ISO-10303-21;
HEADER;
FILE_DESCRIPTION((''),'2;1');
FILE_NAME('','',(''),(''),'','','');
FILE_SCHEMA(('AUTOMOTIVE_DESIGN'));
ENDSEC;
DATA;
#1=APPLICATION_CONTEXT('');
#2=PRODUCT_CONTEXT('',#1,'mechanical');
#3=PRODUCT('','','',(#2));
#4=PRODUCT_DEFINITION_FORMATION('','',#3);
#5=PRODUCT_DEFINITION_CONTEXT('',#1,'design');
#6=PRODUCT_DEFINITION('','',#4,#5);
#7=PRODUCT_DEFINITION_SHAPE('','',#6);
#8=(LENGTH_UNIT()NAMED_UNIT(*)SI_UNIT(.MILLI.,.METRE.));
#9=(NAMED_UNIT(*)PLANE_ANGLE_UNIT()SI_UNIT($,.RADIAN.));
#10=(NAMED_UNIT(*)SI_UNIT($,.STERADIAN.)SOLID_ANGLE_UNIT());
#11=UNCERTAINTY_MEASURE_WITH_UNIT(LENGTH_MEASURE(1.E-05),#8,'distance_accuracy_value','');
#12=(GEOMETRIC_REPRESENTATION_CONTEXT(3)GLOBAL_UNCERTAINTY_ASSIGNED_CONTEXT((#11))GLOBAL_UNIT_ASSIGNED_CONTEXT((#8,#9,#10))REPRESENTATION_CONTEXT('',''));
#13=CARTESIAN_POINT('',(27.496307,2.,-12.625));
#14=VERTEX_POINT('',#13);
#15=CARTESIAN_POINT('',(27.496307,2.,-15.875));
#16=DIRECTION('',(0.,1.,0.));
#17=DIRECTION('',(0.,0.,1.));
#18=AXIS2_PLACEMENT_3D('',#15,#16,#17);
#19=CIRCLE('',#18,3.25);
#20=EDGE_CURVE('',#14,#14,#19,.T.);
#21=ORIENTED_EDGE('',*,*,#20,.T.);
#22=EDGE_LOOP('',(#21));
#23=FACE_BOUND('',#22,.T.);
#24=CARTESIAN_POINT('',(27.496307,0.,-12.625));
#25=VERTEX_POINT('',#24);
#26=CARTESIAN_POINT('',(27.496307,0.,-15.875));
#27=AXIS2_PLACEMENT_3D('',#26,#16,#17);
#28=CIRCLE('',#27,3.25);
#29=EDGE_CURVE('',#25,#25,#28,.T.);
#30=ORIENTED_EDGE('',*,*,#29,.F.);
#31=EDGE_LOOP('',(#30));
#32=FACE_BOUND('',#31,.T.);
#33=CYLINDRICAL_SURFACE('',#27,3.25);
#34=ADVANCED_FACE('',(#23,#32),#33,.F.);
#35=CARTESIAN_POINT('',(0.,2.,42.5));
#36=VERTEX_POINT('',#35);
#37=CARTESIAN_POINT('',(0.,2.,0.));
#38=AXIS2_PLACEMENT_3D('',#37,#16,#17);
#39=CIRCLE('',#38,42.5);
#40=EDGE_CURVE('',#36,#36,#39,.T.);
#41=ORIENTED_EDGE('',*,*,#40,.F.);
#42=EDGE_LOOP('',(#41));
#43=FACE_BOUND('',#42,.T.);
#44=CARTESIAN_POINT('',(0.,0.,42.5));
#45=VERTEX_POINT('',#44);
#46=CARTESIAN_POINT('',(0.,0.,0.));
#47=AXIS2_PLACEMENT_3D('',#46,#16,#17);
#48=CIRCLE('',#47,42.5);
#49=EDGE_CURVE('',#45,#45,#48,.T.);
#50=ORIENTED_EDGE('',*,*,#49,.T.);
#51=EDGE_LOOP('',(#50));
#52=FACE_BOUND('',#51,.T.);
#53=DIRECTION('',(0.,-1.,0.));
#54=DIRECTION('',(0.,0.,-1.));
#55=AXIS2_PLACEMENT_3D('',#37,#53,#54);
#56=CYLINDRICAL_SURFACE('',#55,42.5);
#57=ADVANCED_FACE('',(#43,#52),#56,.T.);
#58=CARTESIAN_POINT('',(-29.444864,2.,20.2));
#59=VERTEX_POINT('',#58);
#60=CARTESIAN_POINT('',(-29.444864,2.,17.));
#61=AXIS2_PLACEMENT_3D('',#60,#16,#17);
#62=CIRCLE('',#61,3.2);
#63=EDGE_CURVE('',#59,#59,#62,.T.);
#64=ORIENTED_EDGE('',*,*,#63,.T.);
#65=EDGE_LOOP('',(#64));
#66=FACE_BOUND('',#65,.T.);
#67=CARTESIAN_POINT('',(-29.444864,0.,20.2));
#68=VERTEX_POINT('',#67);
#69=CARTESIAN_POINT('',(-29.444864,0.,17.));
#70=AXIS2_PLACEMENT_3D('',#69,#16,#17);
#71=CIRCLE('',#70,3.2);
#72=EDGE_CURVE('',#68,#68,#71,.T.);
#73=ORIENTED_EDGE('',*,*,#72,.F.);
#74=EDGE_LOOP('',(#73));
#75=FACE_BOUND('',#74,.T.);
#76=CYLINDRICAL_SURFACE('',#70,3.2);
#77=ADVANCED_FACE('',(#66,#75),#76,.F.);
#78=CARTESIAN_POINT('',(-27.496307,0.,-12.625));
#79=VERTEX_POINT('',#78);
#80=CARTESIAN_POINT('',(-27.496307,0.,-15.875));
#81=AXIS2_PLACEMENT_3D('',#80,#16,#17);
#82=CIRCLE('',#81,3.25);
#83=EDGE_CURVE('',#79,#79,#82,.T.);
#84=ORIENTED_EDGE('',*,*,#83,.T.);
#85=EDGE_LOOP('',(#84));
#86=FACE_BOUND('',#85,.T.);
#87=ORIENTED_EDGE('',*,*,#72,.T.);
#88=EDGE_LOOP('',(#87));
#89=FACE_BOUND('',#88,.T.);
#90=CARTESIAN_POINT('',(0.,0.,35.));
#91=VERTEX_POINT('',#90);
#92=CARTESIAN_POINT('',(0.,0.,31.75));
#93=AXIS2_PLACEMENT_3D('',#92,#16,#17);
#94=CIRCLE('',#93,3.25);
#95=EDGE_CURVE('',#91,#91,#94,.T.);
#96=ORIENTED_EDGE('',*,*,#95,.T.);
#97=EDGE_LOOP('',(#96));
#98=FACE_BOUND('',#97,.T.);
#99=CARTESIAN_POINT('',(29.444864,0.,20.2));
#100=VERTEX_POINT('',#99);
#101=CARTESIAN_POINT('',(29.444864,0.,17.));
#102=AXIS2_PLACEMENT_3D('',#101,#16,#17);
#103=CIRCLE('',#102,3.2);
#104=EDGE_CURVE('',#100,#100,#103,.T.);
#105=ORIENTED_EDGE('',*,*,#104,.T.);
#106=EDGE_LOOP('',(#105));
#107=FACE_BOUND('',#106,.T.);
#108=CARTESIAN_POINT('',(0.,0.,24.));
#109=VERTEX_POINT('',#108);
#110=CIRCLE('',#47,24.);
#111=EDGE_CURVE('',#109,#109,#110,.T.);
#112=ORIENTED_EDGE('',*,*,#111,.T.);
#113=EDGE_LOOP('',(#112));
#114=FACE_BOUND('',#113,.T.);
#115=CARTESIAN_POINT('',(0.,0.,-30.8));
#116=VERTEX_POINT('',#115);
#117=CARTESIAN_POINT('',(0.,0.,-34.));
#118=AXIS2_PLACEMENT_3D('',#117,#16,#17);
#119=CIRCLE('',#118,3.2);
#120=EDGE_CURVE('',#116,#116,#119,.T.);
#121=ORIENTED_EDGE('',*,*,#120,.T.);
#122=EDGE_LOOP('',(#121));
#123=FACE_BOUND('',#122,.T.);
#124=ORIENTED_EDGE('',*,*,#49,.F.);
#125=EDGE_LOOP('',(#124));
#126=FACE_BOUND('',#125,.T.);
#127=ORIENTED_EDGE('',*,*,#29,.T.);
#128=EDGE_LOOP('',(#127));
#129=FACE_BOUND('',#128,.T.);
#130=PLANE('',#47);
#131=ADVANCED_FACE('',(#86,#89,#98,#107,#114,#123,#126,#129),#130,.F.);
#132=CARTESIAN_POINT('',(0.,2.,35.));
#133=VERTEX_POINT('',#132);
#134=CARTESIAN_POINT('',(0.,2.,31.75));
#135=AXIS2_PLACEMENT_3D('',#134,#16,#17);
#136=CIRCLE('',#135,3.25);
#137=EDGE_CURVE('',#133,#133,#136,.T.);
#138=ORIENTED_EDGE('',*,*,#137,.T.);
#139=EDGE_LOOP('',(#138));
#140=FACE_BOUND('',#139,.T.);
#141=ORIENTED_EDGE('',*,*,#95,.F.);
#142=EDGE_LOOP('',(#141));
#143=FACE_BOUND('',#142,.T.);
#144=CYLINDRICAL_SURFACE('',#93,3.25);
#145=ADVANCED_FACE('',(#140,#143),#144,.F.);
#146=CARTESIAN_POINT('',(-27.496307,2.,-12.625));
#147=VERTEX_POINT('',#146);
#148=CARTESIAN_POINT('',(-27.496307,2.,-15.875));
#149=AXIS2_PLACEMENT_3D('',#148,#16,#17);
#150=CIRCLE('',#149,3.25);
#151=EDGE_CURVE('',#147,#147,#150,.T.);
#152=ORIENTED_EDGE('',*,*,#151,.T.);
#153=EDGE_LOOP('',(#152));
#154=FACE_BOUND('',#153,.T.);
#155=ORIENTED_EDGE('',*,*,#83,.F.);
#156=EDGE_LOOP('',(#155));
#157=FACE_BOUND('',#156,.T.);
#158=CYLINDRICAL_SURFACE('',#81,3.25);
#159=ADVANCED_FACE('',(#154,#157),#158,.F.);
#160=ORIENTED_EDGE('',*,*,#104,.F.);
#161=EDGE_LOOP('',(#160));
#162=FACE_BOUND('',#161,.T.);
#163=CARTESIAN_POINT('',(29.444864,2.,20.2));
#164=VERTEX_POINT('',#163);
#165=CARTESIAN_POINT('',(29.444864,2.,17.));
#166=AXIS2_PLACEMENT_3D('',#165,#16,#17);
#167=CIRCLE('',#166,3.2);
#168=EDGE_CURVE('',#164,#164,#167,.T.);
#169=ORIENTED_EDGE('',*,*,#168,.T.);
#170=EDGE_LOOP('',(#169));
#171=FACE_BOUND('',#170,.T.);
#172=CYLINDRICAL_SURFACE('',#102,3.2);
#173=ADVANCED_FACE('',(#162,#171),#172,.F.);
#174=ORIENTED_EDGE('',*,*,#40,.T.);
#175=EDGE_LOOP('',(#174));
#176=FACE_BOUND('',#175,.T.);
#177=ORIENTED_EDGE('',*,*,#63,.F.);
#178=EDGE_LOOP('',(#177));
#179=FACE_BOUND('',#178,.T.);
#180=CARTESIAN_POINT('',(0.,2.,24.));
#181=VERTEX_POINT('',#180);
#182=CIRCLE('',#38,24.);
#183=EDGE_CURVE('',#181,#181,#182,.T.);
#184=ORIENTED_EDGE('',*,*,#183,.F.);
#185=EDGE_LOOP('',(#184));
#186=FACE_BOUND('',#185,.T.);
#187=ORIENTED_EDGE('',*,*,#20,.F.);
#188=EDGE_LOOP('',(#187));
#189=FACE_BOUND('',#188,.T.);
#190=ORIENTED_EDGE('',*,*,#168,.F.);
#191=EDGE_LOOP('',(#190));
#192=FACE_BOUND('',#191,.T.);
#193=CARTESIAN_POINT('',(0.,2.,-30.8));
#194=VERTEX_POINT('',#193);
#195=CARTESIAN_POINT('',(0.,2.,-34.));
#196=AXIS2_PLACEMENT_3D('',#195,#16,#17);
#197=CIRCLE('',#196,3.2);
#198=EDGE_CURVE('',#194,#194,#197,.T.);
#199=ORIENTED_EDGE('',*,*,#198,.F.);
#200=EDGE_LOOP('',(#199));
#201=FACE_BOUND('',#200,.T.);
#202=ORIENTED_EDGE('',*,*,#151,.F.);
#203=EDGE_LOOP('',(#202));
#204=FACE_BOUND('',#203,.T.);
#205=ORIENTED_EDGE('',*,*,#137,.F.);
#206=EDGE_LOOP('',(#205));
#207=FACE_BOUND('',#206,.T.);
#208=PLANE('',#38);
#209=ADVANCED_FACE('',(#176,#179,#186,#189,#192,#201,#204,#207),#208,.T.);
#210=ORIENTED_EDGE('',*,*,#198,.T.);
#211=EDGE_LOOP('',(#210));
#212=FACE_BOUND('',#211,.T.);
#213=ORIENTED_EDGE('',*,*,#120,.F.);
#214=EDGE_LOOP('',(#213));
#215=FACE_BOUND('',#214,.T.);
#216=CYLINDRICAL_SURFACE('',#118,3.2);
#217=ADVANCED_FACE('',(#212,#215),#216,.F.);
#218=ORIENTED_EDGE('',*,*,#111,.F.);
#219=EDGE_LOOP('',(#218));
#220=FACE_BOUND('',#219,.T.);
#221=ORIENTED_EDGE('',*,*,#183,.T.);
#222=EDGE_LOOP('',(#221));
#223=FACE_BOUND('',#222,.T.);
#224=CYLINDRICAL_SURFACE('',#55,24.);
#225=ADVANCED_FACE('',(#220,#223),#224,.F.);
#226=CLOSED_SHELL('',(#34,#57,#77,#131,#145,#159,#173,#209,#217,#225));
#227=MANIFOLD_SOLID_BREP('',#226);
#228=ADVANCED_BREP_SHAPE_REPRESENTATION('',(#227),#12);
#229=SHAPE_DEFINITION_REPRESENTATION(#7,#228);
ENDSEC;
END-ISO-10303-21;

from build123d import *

# Parameters (mm, degrees)
SKETCH1_R           = 42.5
SKETCH1_R_2         = 24
BOSS_EXTRUDE1_DEPTH = 2
SKETCH3_R           = 3.25
SKETCH3_R_2         = 3.2
CUT_EXTRUDE1_DEPTH  = 2


with BuildPart() as part:
    # Sketch1 → Boss-Extrude1 (new body)
    with BuildSketch(Plane(origin=(0, 0, 0), x_dir=(1, 0, 0), z_dir=(0, 1, 0))):
        with Locations(Location((0, 0, 0), (0, 0, 270))):
            Circle(SKETCH1_R)
        with Locations(Location((0, 0, 0), (0, 0, 270))):
            Circle(SKETCH1_R_2, mode=Mode.SUBTRACT)
    extrude(amount=BOSS_EXTRUDE1_DEPTH)

    # Sketch3 → Cut-Extrude1 (cut)
    with BuildSketch(Plane(origin=(0, 2, 0), x_dir=(1, 0, 0), z_dir=(0, 1, 0))):
        with Locations(Location((0, -31.75, 0), (0, 0, 270))):
            Circle(SKETCH3_R)
        with Locations(Location((-27.49630657, 15.875, 0), (0, 0, 270))):
            Circle(SKETCH3_R)
        with Locations(Location((27.49630657, 15.875, 0), (0, 0, 270))):
            Circle(SKETCH3_R)
        with Locations(Location((0, 34, 0), (0, 0, 270))):
            Circle(SKETCH3_R_2)
        with Locations(Location((29.444863729, -17, 0), (0, 0, 270))):
            Circle(SKETCH3_R_2)
        with Locations(Location((-29.444863729, -17, 0), (0, 0, 270))):
            Circle(SKETCH3_R_2)
    extrude(amount=-CUT_EXTRUDE1_DEPTH, mode=Mode.SUBTRACT)


solid = part.part
